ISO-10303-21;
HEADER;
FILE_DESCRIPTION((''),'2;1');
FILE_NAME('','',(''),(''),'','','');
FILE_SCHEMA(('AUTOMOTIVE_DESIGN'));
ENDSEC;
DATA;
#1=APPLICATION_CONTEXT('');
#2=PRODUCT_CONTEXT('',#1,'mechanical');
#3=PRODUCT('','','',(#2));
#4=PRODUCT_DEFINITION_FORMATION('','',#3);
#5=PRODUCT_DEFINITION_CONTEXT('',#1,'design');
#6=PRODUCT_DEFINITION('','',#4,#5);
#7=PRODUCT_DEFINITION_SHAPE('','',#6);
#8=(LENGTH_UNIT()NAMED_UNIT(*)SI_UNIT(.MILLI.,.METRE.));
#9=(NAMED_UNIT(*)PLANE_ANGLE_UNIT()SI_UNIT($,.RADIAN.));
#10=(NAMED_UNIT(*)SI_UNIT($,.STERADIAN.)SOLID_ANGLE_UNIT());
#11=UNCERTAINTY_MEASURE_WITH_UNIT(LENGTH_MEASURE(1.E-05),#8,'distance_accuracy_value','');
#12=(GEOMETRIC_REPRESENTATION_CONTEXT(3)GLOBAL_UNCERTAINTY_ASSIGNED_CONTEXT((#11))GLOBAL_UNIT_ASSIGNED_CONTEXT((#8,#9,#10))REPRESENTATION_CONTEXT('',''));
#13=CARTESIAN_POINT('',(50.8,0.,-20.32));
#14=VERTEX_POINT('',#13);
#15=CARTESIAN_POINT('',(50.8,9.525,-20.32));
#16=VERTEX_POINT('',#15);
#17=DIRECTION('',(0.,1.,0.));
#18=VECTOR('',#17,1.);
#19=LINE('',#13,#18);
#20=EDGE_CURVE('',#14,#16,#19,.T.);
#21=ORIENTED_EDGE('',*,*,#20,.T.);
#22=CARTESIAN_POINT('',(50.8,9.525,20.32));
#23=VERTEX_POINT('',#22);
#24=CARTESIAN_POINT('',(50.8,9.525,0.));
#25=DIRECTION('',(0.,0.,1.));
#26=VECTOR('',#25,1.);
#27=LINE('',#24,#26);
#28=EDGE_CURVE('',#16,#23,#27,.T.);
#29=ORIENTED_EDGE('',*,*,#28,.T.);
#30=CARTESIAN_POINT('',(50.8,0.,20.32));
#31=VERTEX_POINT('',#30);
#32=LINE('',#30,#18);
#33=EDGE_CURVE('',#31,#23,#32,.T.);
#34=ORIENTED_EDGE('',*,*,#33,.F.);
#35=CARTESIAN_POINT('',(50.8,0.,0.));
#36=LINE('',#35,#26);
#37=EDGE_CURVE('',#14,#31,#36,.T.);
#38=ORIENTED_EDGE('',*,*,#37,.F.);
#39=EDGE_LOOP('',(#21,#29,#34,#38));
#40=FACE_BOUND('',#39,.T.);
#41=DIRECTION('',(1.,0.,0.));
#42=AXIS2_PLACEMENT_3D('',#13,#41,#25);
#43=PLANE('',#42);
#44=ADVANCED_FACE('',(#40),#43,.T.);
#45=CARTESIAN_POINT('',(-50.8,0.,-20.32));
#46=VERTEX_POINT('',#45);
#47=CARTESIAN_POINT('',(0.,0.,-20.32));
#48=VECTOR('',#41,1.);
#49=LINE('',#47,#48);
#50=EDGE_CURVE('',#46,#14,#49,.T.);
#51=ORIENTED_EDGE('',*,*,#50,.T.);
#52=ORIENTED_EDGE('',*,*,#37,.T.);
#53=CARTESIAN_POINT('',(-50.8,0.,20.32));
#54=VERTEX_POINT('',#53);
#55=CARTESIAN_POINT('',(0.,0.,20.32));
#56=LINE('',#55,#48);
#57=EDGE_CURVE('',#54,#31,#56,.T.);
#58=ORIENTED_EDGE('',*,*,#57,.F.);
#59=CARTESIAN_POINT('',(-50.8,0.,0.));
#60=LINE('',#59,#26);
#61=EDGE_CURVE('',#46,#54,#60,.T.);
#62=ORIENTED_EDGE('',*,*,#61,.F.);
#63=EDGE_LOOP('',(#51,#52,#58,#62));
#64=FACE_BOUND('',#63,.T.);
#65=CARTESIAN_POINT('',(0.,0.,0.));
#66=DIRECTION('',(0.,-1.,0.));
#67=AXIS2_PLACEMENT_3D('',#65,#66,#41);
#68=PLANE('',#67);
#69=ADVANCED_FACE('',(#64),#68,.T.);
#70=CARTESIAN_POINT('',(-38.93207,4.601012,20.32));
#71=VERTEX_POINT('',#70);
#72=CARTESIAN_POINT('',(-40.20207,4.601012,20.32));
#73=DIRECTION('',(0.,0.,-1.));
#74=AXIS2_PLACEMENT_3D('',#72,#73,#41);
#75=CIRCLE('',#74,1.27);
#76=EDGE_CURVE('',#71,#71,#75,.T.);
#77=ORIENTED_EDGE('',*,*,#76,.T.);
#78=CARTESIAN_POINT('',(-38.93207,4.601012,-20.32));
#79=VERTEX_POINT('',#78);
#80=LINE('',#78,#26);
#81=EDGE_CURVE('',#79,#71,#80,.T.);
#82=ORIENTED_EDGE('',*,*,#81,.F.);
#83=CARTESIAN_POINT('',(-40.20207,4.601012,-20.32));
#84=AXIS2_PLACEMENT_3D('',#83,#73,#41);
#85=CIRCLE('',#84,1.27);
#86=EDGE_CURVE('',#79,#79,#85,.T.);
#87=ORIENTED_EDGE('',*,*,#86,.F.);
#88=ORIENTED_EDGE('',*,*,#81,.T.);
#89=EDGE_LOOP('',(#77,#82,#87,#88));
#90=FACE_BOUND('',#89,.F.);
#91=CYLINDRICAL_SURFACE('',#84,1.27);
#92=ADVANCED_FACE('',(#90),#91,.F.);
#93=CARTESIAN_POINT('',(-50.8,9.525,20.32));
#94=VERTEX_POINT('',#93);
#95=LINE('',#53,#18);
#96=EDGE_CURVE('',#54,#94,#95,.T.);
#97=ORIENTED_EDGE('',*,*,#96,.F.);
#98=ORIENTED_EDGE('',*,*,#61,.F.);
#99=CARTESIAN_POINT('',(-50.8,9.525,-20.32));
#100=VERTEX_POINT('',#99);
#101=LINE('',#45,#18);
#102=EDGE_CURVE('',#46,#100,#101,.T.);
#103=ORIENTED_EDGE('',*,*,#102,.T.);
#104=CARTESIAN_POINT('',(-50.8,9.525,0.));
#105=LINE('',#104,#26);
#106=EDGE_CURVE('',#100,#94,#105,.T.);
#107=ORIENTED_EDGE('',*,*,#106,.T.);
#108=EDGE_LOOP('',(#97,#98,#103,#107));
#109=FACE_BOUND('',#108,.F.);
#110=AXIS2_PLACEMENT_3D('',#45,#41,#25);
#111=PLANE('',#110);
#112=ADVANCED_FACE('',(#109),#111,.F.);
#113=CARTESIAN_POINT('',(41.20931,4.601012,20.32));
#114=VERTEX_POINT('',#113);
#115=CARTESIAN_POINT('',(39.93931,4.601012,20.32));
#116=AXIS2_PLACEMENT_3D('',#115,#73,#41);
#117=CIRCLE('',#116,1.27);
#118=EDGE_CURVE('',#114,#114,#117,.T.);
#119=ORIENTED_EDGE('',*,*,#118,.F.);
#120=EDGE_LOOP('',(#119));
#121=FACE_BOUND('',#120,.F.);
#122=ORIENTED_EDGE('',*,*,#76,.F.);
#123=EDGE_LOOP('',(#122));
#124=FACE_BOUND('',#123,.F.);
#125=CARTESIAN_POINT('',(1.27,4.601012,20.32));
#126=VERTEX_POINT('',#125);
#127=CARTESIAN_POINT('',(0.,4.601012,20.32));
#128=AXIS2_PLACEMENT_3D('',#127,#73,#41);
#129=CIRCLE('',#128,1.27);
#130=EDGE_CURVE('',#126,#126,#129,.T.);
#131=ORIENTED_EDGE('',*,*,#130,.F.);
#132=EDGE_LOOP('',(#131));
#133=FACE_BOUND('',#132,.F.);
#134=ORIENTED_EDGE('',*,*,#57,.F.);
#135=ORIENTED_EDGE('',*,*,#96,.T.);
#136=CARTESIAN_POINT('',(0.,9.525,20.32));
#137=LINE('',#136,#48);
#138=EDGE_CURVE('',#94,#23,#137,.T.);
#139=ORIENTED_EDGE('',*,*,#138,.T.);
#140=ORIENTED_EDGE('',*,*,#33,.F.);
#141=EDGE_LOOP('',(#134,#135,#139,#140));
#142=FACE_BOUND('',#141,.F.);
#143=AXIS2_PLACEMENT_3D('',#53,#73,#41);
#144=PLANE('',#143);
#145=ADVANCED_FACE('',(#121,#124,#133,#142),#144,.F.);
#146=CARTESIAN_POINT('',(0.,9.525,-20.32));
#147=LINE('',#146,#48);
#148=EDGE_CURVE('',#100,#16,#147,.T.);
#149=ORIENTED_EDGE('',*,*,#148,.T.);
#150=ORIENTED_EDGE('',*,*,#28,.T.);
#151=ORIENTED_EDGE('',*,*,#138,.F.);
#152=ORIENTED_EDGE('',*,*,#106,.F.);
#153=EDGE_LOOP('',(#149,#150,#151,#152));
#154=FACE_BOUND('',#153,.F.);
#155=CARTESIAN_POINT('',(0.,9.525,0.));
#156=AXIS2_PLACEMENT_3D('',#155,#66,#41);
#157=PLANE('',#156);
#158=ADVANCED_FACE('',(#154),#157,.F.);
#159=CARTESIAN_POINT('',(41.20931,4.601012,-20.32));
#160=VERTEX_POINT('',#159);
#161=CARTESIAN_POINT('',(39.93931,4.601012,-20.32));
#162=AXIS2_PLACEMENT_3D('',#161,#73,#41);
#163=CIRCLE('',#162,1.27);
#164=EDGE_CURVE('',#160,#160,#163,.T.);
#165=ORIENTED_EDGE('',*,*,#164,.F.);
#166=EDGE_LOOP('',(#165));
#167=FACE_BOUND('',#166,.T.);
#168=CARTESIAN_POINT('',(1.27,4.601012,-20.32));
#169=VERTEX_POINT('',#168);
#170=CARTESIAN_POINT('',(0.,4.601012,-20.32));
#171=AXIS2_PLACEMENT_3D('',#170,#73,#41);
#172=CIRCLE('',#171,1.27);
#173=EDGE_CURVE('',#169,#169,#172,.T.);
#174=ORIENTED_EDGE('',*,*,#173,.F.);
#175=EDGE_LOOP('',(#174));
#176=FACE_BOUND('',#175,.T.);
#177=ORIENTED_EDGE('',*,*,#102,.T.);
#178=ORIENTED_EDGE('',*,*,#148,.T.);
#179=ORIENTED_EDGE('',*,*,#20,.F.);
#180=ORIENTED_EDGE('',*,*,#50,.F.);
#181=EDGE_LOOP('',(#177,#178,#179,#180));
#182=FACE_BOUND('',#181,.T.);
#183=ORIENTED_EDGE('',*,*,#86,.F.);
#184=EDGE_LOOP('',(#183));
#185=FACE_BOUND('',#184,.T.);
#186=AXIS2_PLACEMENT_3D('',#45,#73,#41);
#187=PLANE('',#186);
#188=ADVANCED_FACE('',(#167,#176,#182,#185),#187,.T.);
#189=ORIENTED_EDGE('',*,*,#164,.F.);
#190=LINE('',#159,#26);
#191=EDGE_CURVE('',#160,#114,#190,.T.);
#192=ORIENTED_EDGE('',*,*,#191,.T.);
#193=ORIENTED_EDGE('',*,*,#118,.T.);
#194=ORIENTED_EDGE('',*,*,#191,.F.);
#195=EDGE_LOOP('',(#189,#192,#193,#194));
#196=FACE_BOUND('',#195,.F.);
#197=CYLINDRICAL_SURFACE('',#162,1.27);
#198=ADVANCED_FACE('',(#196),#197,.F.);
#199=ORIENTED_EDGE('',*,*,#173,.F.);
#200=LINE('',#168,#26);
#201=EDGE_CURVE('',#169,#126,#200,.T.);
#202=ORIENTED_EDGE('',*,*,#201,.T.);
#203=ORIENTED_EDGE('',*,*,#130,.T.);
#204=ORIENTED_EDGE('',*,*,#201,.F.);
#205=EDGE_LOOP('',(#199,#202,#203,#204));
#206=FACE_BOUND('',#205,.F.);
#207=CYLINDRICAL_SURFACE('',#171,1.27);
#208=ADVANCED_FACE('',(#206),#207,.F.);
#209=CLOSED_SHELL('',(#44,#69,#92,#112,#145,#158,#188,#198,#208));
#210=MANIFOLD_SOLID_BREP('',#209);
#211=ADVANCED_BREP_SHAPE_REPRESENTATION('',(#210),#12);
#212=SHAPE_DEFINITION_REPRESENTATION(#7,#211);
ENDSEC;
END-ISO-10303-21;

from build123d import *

# Parameters (mm, degrees)
F0_W     = 101.6
F0_H     = 40.64
F1_DEPTH = 9.525
F2_R     = 1.27
F3_DEPTH = 40.641


with BuildPart() as f1:
    # F0 (on Front) → F1 (new body)
    with BuildSketch(Plane.XZ):
        Rectangle(F0_W, F0_H)
    extrude(amount=-F1_DEPTH)

    # F2 (on face) → F3 (cut, through all)
    with BuildSketch(Plane(origin=(0, 0, -20.32), x_dir=(1, 0, 0), z_dir=(0, 0, -1))):
        with Locations((-40.20207, -4.601012)):
            Circle(F2_R)
        with Locations((0, -4.601012)):
            Circle(F2_R)
        with Locations((39.93931, -4.601012)):
            Circle(F2_R)
    extrude(amount=-F3_DEPTH, mode=Mode.SUBTRACT)


solid = f1.part
